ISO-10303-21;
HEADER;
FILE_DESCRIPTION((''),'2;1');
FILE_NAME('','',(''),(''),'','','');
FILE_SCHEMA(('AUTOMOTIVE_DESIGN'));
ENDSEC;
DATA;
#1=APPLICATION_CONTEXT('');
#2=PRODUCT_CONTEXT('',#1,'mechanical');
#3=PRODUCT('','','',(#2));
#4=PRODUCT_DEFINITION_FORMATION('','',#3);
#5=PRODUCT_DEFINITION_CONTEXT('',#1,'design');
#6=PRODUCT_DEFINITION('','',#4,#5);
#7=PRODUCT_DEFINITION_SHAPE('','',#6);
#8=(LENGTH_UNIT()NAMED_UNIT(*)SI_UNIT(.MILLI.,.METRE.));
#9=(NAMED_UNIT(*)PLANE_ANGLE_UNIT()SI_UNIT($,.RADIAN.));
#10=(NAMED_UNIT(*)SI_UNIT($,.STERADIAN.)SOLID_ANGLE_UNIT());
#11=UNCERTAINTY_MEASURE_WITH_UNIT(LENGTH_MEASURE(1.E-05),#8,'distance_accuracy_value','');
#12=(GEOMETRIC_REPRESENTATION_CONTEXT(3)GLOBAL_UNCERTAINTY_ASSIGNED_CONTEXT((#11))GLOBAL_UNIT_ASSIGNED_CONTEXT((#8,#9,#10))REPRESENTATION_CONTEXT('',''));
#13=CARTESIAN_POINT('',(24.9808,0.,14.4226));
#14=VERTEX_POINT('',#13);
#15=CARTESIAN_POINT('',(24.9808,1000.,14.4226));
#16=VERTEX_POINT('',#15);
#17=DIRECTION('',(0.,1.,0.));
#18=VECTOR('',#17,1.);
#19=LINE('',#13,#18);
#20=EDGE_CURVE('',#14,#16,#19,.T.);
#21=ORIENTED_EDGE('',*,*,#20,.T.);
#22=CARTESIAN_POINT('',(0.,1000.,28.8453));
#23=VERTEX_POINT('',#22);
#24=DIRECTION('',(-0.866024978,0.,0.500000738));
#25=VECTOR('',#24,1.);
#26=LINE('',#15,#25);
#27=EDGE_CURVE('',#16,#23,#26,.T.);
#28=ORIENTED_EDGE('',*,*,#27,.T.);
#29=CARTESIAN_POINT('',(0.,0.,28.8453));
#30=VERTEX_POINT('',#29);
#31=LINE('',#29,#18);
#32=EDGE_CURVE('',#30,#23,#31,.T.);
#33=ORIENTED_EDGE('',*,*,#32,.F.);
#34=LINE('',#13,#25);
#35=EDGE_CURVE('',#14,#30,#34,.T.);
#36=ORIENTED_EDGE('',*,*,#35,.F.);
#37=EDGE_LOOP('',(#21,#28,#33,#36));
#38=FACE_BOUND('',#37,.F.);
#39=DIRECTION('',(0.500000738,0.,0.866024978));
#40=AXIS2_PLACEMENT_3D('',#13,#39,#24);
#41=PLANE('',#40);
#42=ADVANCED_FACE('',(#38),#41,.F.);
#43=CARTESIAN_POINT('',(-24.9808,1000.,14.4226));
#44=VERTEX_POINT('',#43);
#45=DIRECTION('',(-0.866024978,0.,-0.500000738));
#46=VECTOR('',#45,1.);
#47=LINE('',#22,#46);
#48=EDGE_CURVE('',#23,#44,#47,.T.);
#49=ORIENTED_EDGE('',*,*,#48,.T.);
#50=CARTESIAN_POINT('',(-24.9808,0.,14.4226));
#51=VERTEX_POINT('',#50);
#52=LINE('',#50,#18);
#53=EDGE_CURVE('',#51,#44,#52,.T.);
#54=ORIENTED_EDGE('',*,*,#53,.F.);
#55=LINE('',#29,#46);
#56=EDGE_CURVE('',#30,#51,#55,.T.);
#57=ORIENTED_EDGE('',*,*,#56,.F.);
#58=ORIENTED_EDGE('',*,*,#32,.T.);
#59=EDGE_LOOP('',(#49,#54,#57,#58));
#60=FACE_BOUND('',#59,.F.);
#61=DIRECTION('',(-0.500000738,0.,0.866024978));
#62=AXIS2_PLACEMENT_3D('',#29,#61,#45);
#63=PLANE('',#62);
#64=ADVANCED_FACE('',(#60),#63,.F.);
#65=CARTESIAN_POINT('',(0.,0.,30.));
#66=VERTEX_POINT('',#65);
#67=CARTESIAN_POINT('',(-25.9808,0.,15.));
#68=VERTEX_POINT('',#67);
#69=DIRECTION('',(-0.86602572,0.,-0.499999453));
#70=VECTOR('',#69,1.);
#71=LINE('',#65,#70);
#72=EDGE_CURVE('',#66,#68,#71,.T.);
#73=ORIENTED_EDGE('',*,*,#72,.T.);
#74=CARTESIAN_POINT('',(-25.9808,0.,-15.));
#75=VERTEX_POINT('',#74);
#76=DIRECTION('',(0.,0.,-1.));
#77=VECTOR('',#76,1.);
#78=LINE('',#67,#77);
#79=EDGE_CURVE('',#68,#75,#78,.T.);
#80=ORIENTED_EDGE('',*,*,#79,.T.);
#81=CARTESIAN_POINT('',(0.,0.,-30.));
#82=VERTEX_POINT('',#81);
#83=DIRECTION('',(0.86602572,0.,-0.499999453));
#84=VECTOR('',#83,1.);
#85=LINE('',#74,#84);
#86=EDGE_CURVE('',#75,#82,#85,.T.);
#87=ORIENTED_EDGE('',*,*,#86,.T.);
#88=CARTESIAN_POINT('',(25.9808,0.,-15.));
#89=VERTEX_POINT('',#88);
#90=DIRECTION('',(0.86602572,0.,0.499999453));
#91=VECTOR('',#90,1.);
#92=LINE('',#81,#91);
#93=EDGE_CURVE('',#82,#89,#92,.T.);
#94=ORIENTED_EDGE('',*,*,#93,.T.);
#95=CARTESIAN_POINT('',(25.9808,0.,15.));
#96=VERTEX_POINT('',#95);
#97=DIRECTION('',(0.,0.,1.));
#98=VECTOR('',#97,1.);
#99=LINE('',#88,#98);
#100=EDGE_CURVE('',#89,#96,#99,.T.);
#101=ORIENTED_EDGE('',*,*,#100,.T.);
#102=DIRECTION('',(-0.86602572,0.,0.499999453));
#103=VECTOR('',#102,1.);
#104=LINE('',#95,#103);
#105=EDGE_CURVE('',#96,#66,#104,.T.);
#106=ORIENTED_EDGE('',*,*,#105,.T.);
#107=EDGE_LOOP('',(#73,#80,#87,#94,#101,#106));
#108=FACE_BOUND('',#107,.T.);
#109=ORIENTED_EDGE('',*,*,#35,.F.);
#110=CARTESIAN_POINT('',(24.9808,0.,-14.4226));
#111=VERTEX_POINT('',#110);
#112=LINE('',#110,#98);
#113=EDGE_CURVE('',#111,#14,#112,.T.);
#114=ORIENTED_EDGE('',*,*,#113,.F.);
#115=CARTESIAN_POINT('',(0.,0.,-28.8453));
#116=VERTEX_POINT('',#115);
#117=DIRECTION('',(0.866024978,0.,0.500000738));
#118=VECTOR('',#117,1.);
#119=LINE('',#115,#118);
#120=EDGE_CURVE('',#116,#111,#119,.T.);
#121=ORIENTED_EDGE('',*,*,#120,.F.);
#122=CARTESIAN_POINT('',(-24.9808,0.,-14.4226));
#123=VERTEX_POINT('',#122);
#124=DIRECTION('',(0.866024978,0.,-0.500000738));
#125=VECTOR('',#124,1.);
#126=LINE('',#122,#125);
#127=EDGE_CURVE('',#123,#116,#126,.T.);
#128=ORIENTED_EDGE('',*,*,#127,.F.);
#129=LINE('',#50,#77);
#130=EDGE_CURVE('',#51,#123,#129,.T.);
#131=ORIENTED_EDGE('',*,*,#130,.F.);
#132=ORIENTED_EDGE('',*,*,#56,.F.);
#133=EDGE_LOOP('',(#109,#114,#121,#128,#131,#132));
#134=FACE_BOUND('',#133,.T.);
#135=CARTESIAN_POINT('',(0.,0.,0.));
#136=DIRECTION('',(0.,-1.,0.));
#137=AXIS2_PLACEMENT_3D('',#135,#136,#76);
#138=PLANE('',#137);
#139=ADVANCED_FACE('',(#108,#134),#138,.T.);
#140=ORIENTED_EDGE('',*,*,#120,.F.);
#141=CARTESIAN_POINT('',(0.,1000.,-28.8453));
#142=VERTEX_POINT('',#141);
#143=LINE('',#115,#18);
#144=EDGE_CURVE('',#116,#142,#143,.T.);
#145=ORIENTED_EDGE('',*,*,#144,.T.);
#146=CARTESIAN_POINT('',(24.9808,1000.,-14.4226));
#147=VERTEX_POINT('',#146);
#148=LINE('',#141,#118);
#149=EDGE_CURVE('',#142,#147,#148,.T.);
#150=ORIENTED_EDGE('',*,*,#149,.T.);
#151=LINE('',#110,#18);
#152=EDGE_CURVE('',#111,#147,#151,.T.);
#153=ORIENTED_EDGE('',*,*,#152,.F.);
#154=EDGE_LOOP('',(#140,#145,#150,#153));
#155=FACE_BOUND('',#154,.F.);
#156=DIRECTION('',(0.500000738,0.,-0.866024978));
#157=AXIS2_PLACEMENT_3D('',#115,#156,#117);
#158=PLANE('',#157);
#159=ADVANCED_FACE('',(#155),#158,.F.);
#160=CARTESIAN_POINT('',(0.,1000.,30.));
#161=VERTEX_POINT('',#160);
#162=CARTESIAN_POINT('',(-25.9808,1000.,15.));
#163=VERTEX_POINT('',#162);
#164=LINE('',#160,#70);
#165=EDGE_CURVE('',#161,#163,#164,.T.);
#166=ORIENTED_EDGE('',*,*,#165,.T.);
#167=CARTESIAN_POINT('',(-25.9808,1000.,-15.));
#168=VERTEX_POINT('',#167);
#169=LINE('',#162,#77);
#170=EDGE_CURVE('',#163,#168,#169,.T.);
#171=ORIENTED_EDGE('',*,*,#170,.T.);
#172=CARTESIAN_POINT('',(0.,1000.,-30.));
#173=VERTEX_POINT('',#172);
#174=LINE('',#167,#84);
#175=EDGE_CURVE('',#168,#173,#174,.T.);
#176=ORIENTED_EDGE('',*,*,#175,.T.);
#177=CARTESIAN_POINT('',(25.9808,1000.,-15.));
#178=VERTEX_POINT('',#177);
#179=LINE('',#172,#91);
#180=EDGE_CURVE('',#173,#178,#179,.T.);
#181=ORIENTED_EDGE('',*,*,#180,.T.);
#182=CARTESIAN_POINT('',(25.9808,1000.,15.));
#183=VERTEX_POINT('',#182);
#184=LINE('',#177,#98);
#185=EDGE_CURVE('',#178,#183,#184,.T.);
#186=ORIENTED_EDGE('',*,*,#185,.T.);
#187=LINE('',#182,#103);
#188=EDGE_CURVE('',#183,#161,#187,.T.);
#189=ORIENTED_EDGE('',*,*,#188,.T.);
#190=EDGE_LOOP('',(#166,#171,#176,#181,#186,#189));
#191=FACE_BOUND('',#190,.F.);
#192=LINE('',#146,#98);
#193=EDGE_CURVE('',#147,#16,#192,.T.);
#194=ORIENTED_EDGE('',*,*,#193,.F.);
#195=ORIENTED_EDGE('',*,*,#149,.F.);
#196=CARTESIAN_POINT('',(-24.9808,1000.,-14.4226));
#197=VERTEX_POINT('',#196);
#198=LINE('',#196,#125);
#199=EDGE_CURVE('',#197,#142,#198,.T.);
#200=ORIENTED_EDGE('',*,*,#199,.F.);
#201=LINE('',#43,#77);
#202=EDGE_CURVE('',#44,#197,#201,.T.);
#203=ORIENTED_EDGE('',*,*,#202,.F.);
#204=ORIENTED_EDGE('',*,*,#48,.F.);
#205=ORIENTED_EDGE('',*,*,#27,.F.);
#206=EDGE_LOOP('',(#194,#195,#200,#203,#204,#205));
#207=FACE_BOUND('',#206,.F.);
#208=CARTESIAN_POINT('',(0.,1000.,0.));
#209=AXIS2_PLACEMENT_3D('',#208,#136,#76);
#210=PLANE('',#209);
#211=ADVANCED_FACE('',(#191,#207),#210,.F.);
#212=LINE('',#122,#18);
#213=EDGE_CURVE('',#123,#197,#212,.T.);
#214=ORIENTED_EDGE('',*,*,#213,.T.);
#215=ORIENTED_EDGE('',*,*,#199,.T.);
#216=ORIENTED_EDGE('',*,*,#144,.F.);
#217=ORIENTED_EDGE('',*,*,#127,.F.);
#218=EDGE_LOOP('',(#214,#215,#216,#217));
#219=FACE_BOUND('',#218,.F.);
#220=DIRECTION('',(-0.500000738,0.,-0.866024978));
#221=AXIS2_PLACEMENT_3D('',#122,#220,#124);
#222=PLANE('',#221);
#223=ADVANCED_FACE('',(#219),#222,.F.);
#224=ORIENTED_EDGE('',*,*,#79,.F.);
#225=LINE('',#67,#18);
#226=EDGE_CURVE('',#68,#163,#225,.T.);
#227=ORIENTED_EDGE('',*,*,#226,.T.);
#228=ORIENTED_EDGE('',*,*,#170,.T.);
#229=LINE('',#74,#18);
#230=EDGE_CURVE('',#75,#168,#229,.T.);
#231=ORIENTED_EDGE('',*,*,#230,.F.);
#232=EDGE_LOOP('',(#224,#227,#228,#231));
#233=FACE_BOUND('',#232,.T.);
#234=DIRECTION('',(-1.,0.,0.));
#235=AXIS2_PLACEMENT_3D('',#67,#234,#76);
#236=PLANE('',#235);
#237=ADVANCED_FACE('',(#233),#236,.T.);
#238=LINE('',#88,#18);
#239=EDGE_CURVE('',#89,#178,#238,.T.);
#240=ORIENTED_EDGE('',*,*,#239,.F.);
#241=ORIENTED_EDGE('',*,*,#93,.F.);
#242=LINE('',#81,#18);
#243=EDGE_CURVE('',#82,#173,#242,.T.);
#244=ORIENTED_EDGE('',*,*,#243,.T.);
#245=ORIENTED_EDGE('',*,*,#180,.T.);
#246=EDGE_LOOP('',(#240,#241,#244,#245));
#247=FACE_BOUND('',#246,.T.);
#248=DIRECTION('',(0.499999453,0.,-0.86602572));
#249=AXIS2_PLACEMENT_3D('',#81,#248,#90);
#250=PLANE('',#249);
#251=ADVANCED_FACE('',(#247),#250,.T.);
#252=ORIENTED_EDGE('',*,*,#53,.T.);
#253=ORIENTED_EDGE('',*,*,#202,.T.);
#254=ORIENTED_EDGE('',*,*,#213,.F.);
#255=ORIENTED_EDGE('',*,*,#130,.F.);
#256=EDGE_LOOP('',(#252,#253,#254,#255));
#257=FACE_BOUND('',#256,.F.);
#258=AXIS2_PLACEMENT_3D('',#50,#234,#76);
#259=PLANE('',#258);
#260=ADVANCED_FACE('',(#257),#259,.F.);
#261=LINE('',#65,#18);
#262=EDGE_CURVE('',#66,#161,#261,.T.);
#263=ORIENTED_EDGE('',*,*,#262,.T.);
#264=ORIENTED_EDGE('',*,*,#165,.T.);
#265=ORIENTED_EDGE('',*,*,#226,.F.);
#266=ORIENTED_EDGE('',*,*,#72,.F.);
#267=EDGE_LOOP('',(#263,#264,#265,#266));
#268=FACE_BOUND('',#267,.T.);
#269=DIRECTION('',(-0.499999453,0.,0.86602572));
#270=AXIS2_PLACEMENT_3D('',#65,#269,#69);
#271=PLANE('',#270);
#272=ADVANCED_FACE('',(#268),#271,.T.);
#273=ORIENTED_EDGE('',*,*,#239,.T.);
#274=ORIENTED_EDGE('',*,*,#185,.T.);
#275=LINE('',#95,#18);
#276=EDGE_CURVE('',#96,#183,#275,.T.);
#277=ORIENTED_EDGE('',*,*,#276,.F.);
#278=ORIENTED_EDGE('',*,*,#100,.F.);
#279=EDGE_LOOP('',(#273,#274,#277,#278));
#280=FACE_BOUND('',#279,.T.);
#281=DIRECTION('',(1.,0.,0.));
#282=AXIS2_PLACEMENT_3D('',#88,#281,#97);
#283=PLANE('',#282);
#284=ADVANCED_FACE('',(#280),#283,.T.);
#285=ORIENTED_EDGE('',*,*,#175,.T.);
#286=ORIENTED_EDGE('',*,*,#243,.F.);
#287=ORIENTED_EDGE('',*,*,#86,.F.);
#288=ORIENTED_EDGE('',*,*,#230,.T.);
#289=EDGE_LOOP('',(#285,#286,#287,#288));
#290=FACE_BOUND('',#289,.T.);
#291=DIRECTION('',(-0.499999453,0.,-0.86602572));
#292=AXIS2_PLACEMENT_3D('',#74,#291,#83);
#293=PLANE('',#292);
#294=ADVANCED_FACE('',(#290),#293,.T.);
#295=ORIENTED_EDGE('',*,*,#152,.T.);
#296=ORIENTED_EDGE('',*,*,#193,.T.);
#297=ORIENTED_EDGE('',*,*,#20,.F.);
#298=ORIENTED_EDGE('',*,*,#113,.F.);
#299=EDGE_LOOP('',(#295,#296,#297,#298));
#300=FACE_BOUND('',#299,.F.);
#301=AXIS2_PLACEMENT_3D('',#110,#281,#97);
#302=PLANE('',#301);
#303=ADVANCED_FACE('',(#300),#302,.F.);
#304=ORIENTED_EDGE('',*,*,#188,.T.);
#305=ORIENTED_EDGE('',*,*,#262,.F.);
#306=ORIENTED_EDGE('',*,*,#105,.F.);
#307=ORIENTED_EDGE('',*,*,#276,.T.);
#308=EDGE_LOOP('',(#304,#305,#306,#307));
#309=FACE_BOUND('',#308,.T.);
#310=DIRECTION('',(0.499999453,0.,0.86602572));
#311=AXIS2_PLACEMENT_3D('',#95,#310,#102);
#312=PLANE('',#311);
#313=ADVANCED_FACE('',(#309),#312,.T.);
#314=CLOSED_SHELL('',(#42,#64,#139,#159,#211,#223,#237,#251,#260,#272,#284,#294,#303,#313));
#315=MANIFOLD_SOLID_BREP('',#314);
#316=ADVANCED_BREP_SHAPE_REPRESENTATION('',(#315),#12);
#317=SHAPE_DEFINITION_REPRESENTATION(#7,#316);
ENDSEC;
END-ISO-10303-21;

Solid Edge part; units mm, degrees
sketch "Sketch1" plane through (0, 0, 0) normal (0, -1, 0) x (1, 0, 0)
  line L0 (0, 30) -> (-25.9808, 15)
  line L1 (-25.9808, 15) -> (-25.9808, -15)
  line L2 (-25.9808, -15) -> (0, -30)
  line L3 (0, -30) -> (25.9808, -15)
  line L4 (25.9808, -15) -> (25.9808, 15)
  line L5 (25.9808, 15) -> (0, 30)
  line L6 (0, 28.8453) -> (-24.9808, 14.4226)
  line L7 (-24.9808, 14.4226) -> (-24.9808, -14.4226)
  line L8 (-24.9808, -14.4226) -> (0, -28.8453)
  line L9 (0, -28.8453) -> (24.9808, -14.4226)
  line L10 (24.9808, -14.4226) -> (24.9808, 14.4226)
  line L11 (24.9808, 14.4226) -> (0, 28.8453)
  dimension "D1" = 1
extrude "Protrusion1" add sketch "Sketch1" against normal blind 1000
